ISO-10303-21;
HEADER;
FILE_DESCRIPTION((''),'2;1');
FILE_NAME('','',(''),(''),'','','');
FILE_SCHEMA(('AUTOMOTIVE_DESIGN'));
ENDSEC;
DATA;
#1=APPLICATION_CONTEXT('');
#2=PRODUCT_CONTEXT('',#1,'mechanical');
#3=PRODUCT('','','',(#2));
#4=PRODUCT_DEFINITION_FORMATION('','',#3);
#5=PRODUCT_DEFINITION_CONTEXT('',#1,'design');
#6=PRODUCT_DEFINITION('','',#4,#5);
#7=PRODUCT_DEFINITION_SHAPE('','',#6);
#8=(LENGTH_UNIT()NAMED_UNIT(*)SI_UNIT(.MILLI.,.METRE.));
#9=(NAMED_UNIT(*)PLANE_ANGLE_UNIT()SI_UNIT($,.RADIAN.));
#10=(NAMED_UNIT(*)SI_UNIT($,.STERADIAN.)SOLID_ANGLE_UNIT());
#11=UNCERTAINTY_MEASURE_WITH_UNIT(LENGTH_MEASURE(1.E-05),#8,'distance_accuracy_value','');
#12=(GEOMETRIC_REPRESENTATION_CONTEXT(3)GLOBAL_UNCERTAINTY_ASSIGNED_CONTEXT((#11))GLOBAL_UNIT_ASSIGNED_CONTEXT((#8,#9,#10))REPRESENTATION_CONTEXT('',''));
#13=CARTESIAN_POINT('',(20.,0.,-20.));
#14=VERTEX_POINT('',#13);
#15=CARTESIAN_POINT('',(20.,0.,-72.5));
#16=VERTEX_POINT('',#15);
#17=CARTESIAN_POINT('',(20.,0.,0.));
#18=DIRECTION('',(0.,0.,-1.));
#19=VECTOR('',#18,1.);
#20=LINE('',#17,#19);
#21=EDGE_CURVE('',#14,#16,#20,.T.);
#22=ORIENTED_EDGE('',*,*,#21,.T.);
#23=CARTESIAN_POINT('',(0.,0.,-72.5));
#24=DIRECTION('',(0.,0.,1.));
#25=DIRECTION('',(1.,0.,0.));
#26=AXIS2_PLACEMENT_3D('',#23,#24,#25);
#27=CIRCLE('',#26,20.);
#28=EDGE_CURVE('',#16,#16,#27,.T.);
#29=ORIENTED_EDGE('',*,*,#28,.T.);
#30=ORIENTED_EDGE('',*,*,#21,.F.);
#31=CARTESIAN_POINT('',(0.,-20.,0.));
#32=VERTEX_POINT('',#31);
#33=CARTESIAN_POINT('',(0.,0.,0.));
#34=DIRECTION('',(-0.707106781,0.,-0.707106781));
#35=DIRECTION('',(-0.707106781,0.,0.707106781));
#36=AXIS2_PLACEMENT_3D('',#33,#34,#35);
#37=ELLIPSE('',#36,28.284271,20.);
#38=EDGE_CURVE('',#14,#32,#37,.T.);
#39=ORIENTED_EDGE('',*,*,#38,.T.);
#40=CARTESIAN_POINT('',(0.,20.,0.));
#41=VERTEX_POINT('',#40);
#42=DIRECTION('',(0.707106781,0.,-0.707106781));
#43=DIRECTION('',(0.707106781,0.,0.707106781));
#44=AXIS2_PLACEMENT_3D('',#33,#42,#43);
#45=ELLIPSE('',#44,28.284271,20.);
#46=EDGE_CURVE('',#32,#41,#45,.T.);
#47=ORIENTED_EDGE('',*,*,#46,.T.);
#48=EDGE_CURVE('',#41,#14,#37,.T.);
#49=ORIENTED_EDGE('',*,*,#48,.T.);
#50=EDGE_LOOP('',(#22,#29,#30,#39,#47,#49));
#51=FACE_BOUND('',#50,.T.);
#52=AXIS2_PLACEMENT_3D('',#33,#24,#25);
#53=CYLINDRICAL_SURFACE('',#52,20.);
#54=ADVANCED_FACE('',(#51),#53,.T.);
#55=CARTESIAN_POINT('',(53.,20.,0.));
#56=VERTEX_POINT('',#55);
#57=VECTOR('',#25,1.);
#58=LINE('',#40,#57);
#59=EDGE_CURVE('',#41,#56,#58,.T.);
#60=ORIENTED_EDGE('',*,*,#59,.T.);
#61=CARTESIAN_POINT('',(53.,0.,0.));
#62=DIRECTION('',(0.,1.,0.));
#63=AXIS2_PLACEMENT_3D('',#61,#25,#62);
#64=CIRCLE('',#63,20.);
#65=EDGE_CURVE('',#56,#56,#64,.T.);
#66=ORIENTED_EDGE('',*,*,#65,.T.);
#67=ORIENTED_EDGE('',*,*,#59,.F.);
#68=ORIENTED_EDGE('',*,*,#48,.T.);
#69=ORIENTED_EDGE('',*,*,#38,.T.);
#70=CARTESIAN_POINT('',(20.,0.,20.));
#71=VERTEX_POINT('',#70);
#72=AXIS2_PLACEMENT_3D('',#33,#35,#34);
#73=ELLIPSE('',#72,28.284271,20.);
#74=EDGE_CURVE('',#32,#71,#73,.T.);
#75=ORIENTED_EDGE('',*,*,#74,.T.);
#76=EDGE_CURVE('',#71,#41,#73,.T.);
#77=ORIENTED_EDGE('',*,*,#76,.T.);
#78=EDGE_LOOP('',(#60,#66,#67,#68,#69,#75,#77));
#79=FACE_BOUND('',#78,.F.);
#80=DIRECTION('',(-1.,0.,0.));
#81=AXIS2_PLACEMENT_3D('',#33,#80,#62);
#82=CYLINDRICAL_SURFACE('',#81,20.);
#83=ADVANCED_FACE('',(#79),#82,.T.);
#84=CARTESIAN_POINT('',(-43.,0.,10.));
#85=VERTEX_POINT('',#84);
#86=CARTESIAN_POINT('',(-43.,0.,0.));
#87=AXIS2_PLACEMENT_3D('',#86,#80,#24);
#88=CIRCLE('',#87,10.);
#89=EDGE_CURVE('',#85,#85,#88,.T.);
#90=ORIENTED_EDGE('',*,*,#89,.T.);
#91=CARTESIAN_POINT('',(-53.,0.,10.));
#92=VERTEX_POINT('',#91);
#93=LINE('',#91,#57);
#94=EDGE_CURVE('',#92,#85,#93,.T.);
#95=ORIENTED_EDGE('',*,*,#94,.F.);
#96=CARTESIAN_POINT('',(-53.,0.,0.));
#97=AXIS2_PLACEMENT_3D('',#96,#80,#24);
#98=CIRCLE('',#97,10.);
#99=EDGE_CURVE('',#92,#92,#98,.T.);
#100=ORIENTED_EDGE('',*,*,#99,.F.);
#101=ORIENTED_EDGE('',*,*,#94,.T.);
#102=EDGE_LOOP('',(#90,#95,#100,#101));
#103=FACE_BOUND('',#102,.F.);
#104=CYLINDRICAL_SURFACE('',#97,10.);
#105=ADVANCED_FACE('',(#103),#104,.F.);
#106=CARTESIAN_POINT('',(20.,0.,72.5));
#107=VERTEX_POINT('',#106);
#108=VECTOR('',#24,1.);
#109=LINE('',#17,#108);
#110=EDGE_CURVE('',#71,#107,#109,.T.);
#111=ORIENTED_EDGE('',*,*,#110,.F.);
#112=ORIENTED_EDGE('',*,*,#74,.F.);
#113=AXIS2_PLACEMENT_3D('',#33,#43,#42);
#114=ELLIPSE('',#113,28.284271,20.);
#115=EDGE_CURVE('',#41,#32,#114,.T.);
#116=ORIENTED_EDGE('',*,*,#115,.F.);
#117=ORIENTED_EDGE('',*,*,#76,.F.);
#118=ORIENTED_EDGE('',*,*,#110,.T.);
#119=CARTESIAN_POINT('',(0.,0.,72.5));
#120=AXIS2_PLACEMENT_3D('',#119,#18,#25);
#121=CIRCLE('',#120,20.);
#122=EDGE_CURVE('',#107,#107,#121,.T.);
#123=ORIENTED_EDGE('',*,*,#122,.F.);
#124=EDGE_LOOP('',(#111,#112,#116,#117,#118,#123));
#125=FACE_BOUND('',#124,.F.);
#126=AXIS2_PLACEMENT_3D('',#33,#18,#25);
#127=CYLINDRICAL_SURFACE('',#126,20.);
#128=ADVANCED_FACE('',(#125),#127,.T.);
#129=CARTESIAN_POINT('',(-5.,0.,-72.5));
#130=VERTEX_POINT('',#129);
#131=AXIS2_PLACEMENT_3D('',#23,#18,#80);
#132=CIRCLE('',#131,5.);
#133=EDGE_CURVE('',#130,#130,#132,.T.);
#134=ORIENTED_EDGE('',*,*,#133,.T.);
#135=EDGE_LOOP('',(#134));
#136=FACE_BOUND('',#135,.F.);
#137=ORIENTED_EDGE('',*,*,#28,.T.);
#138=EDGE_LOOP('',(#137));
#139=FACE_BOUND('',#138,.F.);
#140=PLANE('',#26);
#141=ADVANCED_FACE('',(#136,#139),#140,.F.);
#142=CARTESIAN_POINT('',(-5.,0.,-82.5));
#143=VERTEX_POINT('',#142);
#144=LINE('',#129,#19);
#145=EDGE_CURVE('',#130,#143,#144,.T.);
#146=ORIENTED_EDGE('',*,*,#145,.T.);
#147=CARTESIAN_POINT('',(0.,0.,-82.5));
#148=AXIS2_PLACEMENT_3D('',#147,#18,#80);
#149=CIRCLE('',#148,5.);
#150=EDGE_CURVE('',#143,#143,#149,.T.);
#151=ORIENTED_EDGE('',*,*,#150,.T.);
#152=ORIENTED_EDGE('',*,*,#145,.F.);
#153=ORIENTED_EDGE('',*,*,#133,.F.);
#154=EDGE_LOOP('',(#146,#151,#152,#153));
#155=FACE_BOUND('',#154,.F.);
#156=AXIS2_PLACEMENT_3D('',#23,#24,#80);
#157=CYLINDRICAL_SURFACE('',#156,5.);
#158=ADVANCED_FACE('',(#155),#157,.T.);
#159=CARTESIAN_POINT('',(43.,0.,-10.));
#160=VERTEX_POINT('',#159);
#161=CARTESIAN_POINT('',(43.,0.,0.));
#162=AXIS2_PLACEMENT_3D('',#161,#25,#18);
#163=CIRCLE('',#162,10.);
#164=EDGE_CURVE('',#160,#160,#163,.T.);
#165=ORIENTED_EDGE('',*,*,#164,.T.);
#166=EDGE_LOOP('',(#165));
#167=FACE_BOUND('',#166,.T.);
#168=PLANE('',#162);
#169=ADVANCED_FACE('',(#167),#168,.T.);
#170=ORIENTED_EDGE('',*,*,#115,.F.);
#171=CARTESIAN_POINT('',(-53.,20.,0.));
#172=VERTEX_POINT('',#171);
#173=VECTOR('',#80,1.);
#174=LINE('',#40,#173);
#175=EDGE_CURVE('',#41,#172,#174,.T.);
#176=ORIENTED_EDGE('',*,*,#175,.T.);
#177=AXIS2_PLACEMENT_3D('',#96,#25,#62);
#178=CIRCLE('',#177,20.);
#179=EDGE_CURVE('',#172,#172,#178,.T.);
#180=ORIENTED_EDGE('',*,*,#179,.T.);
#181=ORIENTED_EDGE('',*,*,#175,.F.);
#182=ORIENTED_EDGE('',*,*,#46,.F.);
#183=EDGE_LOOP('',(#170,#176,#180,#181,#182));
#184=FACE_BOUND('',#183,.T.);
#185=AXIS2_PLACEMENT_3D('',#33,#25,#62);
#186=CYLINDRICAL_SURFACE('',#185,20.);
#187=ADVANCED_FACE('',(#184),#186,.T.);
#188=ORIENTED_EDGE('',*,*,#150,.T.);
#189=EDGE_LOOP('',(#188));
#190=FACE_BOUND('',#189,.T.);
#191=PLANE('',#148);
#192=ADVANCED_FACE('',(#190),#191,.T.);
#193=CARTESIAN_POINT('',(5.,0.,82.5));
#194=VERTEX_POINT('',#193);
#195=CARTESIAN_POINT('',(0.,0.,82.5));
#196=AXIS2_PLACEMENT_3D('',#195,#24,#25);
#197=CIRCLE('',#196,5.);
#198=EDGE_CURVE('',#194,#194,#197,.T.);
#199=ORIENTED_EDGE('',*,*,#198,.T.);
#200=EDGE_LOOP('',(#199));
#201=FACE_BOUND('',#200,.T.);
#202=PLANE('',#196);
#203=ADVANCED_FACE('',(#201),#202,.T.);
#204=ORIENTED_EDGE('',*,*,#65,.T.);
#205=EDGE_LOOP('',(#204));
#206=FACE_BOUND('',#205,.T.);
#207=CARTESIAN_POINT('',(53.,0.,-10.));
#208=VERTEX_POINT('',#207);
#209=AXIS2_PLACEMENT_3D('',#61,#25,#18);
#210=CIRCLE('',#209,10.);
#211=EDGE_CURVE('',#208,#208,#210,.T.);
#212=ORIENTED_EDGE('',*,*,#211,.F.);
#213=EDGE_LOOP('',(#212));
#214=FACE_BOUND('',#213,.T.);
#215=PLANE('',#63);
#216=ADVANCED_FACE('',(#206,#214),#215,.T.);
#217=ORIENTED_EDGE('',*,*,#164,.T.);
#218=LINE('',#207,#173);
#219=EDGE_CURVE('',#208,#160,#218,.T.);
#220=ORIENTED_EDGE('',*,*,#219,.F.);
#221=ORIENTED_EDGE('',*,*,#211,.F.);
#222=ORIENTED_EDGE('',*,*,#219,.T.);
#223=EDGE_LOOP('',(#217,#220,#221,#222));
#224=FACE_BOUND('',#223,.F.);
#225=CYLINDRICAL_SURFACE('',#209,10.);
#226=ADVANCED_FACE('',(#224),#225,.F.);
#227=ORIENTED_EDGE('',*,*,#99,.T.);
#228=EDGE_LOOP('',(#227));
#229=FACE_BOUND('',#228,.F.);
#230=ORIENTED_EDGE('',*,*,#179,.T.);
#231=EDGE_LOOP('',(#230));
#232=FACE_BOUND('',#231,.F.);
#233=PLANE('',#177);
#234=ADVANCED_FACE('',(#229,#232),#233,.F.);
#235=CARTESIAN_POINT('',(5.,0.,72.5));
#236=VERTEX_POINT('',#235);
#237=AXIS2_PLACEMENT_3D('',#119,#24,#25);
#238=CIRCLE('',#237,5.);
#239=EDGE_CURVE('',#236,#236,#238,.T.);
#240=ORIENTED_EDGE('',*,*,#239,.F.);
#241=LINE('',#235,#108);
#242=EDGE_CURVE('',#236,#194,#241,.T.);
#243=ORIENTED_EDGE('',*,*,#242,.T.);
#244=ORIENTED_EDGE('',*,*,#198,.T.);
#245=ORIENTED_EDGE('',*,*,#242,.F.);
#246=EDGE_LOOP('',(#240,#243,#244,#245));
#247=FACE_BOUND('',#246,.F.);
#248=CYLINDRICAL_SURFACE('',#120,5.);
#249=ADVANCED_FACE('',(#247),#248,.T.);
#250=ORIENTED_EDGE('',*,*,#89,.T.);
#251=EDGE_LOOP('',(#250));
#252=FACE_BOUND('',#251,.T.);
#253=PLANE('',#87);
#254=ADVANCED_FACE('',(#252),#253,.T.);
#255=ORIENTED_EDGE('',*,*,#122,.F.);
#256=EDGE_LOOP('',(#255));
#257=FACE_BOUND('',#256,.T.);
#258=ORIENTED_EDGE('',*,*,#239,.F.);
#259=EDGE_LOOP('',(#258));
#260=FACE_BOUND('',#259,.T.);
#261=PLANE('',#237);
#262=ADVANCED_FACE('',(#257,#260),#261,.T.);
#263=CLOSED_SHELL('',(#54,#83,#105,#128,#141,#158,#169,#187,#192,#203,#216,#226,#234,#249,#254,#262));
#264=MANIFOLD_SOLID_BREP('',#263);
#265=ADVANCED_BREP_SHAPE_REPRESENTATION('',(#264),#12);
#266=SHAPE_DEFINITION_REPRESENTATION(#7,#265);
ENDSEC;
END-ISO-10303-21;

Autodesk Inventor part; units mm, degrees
ref_plane "YZ Plane" through (0, 0, 0) normal (1, 0, 0) x (0, 1, 0)
ref_plane "XZ Plane" through (0, 0, 0) normal (0, 1, 0) x (-1, 0, 0)
ref_plane "XY Plane" through (0, 0, 0) normal (0, 0, 1) x (1, 0, 0)
sketch "Sketch1" plane through (0, 0, 0) normal (1, 0, 0) x (0, 1, 0)
  circle A0 centre (0, 0) radius 20
  dimension "d0" = 40
extrude "Extrusion1" add sketch "Sketch1" along normal mid plane 106
sketch "Sketch2" plane through (53, 0, 0) normal (1, 0, 0) x (0, 0, -1)
  circle A0 centre (0, 0) radius 10
  dimension "d3" = 20
extrude "Extrusion2" cut sketch "Sketch2" against normal blind 10
sketch "Sketch3" plane through (-53, 0, 0) normal (-1, 0, 0) x (0, 0, 1)
  circle A0 centre (0, 0) radius 10
  dimension "d6" = 20
extrude "Extrusion3" cut sketch "Sketch3" against normal blind 10
sketch "Sketch5" plane through (0, 0, 0) normal (0, 0, 1) x (1, 0, 0)
  circle A0 centre (0, 0) radius 20
  line L0 (-53, 20) -> (53, 20) projected
extrude "Extrusion4" add sketch "Sketch5" along normal mid plane 145
sketch "Sketch6" plane through (0, 0, 72.5) normal (0, 0, 1) x (1, 0, 0)
  circle A0 centre (0, 0) radius 5
  dimension "d12" = 10
extrude "Extrusion5" add sketch "Sketch6" along normal blind 10
sketch "Sketch7" plane through (0, 0, -72.5) normal (0, 0, -1) x (-1, 0, 0)
  circle A0 centre (0, 0) radius 5
extrude "Extrusion6" add sketch "Sketch7" along normal blind 10
properties part number "AERO - Arm"
